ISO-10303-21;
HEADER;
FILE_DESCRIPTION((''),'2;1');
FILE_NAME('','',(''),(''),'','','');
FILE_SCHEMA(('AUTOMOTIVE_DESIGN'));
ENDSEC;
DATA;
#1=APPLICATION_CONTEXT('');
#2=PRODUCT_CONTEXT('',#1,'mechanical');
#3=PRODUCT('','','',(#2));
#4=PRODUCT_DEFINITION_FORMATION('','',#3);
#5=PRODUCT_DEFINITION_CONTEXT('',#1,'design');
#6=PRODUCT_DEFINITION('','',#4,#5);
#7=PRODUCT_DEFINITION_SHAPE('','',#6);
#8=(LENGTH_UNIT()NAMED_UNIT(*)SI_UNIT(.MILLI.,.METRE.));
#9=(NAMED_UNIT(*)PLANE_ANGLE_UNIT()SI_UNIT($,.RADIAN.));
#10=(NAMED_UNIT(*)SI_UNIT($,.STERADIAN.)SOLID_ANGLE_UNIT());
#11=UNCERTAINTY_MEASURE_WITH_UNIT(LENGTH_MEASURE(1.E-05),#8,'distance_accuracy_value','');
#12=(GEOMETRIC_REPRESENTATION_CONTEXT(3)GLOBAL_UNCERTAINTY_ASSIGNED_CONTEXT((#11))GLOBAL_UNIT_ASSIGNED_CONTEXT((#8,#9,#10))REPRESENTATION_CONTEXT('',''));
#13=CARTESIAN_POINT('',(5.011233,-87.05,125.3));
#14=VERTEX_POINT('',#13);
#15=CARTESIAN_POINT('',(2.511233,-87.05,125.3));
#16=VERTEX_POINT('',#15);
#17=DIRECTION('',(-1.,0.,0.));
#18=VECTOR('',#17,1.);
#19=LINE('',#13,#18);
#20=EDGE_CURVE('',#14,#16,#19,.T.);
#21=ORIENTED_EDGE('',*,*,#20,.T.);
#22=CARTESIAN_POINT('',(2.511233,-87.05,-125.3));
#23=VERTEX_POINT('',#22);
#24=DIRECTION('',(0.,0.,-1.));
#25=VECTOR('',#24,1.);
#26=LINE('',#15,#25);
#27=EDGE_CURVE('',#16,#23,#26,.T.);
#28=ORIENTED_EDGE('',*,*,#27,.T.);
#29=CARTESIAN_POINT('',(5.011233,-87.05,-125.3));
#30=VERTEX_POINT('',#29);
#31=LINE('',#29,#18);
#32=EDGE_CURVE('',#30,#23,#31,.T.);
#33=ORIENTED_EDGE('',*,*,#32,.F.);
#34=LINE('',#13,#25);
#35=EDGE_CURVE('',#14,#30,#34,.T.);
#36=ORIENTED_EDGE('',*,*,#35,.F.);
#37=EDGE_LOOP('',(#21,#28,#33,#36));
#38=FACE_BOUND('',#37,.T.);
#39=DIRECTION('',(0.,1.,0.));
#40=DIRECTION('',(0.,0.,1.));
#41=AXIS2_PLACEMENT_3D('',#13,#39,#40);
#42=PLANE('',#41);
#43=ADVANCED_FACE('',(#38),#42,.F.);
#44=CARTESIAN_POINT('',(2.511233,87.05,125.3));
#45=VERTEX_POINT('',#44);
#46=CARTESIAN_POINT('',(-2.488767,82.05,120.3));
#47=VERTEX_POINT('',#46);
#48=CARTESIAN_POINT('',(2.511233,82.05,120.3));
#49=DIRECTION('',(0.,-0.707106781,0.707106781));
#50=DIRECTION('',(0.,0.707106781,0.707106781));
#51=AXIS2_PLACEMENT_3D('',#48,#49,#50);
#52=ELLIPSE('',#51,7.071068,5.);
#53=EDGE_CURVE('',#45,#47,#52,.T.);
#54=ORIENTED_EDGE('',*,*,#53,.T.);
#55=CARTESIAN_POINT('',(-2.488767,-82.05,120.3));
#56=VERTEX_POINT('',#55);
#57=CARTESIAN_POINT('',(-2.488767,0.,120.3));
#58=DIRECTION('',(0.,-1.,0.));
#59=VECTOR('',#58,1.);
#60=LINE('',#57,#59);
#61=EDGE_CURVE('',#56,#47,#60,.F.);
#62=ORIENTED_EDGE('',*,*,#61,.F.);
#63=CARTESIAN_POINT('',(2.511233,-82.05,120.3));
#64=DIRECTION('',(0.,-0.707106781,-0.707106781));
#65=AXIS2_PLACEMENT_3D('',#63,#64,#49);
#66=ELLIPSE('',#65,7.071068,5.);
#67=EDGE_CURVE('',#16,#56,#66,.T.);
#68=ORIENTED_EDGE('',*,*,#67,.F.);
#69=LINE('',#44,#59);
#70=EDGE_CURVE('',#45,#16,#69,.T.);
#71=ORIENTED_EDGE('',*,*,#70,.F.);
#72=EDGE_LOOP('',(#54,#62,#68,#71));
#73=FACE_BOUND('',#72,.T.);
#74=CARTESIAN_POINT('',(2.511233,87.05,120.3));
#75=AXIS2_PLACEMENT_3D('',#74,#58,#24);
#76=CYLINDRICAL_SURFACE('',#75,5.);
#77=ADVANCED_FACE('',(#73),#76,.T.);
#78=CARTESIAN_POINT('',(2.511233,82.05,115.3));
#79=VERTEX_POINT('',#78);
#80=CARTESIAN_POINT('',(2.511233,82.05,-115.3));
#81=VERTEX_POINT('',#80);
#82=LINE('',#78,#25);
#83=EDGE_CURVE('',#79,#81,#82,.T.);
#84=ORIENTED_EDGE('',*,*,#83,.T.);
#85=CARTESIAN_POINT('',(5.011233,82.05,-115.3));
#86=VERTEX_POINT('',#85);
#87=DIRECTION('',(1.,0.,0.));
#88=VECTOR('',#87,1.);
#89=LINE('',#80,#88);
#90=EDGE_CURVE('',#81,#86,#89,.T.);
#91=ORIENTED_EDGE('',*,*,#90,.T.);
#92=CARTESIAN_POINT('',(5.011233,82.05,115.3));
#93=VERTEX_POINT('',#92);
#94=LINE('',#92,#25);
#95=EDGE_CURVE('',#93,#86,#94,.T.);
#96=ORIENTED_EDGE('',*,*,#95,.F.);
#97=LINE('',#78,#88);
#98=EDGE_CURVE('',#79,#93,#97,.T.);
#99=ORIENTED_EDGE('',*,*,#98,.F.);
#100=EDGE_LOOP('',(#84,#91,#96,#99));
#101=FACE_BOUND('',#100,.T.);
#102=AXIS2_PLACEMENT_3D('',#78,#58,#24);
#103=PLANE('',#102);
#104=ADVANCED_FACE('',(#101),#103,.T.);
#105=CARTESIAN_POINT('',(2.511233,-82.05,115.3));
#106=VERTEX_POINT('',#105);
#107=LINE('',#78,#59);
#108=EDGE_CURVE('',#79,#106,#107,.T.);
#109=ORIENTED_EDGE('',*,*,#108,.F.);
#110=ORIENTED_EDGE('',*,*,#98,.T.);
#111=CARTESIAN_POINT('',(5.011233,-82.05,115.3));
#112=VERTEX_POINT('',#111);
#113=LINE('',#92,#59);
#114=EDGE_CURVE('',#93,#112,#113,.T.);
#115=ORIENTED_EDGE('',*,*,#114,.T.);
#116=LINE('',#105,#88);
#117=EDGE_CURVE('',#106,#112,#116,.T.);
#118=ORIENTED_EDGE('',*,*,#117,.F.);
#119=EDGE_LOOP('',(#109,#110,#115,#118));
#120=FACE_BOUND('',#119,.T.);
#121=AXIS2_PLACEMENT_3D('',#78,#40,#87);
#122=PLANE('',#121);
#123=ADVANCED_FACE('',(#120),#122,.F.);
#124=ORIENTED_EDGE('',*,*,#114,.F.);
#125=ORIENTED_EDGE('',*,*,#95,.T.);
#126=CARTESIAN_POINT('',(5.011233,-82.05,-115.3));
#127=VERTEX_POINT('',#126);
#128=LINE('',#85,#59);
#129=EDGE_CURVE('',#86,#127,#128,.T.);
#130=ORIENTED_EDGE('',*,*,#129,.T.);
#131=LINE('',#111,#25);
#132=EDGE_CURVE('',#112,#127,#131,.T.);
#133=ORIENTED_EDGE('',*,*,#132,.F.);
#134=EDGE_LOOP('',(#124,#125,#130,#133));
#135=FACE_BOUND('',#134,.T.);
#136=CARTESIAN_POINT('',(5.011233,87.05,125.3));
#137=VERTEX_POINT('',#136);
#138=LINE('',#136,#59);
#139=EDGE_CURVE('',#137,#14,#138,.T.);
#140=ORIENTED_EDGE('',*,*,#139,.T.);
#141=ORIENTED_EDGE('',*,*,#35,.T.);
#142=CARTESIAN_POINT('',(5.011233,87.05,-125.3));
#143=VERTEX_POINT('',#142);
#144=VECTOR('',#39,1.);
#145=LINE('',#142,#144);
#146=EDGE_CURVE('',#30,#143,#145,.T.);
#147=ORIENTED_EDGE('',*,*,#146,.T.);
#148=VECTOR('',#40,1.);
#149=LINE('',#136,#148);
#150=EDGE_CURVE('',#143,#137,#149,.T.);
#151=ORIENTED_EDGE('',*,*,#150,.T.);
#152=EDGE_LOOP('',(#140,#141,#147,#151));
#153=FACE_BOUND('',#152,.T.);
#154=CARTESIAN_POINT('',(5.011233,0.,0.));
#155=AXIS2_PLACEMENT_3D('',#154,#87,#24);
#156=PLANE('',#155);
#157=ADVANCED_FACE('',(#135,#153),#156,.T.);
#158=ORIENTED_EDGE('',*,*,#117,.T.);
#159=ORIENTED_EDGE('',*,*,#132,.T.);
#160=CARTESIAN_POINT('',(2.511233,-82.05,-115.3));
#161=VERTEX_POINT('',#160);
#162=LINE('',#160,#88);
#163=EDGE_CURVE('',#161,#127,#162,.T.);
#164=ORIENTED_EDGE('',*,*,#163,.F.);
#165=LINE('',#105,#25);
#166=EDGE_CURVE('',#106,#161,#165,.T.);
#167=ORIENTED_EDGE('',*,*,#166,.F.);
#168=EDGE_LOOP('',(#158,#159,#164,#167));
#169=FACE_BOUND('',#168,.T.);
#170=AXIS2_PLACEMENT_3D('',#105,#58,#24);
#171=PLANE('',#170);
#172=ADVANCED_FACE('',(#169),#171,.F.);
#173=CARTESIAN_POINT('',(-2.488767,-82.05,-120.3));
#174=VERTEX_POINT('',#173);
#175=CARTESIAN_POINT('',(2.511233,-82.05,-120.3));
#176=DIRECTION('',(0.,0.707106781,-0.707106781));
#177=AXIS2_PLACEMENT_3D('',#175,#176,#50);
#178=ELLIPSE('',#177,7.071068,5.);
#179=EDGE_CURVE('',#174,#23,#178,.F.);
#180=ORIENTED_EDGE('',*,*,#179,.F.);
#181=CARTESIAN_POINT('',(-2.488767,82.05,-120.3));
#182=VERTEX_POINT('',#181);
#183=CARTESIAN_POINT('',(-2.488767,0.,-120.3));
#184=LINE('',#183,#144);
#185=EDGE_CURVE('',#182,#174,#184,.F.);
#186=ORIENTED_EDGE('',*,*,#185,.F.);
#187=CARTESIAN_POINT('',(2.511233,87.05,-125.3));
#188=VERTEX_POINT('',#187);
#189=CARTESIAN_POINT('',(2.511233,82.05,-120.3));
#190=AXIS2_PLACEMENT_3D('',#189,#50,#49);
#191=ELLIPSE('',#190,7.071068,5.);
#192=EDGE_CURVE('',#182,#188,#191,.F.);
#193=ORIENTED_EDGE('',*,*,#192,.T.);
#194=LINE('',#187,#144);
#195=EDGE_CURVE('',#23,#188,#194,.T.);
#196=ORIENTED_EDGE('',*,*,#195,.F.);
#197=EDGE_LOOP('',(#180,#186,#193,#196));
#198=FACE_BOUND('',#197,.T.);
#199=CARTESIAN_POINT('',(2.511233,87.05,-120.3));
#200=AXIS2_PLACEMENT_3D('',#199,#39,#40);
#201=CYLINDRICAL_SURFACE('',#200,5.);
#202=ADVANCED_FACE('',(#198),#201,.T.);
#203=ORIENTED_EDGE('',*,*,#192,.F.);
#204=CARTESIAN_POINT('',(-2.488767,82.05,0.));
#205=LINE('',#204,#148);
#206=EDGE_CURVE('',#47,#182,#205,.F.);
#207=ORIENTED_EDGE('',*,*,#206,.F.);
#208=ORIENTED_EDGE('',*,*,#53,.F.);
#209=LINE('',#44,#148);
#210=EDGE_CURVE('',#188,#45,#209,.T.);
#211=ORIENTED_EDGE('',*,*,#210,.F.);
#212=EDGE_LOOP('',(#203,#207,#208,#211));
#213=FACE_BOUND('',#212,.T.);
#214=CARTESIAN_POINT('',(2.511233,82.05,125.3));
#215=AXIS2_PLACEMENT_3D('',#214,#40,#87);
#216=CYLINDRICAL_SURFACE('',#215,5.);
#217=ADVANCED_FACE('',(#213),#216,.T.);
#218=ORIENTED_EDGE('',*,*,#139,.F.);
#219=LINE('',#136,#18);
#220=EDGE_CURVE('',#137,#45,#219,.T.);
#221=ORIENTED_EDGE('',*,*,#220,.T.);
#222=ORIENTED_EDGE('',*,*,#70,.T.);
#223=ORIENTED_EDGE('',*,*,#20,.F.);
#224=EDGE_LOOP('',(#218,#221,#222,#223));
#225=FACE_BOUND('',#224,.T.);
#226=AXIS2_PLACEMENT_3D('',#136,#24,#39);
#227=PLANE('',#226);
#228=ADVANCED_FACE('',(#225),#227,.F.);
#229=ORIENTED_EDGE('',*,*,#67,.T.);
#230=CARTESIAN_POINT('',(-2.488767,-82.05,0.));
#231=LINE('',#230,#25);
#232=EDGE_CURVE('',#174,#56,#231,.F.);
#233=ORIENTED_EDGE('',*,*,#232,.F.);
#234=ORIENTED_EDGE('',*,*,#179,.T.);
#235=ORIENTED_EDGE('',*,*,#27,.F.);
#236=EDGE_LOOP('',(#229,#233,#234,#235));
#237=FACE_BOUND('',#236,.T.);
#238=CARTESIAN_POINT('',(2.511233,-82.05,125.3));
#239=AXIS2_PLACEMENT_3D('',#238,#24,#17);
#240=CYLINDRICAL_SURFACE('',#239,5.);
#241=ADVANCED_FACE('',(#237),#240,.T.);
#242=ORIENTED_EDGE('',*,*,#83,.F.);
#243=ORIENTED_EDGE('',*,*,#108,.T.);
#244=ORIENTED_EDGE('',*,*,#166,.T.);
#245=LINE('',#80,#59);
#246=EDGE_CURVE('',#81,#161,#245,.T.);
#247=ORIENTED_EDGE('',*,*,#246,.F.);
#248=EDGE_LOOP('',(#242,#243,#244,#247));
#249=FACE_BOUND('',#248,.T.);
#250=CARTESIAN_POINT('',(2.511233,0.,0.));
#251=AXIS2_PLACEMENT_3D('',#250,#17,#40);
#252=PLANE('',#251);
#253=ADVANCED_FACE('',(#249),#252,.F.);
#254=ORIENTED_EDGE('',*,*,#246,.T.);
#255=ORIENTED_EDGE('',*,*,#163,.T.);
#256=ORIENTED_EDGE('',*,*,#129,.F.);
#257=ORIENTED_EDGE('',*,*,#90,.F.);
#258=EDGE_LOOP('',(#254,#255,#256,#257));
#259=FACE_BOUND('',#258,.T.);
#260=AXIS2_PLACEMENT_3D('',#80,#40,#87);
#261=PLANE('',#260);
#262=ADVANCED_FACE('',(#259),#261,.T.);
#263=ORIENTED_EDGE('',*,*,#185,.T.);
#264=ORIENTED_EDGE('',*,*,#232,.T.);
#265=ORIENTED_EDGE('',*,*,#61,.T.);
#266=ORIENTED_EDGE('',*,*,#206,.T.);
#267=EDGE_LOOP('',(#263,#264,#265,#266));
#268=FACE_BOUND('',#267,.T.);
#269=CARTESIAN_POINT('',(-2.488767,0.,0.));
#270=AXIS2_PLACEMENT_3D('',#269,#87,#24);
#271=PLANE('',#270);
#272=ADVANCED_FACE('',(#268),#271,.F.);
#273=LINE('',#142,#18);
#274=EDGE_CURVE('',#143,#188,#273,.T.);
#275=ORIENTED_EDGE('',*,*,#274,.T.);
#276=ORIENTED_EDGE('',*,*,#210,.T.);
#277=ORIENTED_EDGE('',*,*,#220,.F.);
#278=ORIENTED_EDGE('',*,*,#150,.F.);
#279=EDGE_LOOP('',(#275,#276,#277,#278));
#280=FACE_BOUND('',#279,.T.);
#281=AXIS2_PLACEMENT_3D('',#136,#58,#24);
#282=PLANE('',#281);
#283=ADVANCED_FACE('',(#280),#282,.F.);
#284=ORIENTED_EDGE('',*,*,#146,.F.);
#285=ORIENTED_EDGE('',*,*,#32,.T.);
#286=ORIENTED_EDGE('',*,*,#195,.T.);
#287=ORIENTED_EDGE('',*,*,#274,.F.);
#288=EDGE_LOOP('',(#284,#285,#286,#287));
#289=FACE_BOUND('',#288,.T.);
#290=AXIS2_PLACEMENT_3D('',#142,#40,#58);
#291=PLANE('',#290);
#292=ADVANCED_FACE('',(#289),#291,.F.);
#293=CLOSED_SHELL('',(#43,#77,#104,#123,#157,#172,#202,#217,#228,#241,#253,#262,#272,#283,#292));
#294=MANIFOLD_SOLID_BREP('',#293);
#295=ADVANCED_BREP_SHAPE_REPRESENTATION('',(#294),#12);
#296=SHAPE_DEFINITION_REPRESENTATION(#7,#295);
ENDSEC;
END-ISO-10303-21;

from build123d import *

# Parameters (mm, degrees)
SKETCH1_W           = 25.06
SKETCH1_H           = 17.41
BOSS_EXTRUDE1_DEPTH = 0.75
FILLET4_R           = 0.5
SKETCH2_W           = 23.06
SKETCH2_H           = 16.41
CUT_EXTRUDE1_DEPTH  = 0.25
SCALE1_SCALE        = 10


with BuildPart() as part:
    # Sketch1 → Boss-Extrude1 (new body)
    with BuildSketch(Plane(origin=(0, 0, 0), x_dir=(0, 0, -1), z_dir=(1, 0, 0))):
        Rectangle(SKETCH1_W, SKETCH1_H)
    extrude(amount=BOSS_EXTRUDE1_DEPTH)

    # Fillet4
    fillet4_edges = [part.edges().sort_by_distance(p)[0] for p in [
        (0, -8.705, 0),
        (0, 0, 12.53),
        (0, 8.705, 0),
        (0, 0, -12.53),
    ]]
    fillet(fillet4_edges, radius=FILLET4_R)

    # Sketch2 → Cut-Extrude1 (cut)
    with BuildSketch(Plane(origin=(0.75, 0, 0), x_dir=(0, 0, -1), z_dir=(1, 0, 0))):
        Rectangle(SKETCH2_W, SKETCH2_H)
    extrude(amount=-CUT_EXTRUDE1_DEPTH, mode=Mode.SUBTRACT)


with BuildPart() as part_1:
    # Scale1: scaled about (0.276512494, 0, 0)
    add(part.part.scale(SCALE1_SCALE).moved(Location((-2.488612446, 0, 0))))


solid = part_1.part
